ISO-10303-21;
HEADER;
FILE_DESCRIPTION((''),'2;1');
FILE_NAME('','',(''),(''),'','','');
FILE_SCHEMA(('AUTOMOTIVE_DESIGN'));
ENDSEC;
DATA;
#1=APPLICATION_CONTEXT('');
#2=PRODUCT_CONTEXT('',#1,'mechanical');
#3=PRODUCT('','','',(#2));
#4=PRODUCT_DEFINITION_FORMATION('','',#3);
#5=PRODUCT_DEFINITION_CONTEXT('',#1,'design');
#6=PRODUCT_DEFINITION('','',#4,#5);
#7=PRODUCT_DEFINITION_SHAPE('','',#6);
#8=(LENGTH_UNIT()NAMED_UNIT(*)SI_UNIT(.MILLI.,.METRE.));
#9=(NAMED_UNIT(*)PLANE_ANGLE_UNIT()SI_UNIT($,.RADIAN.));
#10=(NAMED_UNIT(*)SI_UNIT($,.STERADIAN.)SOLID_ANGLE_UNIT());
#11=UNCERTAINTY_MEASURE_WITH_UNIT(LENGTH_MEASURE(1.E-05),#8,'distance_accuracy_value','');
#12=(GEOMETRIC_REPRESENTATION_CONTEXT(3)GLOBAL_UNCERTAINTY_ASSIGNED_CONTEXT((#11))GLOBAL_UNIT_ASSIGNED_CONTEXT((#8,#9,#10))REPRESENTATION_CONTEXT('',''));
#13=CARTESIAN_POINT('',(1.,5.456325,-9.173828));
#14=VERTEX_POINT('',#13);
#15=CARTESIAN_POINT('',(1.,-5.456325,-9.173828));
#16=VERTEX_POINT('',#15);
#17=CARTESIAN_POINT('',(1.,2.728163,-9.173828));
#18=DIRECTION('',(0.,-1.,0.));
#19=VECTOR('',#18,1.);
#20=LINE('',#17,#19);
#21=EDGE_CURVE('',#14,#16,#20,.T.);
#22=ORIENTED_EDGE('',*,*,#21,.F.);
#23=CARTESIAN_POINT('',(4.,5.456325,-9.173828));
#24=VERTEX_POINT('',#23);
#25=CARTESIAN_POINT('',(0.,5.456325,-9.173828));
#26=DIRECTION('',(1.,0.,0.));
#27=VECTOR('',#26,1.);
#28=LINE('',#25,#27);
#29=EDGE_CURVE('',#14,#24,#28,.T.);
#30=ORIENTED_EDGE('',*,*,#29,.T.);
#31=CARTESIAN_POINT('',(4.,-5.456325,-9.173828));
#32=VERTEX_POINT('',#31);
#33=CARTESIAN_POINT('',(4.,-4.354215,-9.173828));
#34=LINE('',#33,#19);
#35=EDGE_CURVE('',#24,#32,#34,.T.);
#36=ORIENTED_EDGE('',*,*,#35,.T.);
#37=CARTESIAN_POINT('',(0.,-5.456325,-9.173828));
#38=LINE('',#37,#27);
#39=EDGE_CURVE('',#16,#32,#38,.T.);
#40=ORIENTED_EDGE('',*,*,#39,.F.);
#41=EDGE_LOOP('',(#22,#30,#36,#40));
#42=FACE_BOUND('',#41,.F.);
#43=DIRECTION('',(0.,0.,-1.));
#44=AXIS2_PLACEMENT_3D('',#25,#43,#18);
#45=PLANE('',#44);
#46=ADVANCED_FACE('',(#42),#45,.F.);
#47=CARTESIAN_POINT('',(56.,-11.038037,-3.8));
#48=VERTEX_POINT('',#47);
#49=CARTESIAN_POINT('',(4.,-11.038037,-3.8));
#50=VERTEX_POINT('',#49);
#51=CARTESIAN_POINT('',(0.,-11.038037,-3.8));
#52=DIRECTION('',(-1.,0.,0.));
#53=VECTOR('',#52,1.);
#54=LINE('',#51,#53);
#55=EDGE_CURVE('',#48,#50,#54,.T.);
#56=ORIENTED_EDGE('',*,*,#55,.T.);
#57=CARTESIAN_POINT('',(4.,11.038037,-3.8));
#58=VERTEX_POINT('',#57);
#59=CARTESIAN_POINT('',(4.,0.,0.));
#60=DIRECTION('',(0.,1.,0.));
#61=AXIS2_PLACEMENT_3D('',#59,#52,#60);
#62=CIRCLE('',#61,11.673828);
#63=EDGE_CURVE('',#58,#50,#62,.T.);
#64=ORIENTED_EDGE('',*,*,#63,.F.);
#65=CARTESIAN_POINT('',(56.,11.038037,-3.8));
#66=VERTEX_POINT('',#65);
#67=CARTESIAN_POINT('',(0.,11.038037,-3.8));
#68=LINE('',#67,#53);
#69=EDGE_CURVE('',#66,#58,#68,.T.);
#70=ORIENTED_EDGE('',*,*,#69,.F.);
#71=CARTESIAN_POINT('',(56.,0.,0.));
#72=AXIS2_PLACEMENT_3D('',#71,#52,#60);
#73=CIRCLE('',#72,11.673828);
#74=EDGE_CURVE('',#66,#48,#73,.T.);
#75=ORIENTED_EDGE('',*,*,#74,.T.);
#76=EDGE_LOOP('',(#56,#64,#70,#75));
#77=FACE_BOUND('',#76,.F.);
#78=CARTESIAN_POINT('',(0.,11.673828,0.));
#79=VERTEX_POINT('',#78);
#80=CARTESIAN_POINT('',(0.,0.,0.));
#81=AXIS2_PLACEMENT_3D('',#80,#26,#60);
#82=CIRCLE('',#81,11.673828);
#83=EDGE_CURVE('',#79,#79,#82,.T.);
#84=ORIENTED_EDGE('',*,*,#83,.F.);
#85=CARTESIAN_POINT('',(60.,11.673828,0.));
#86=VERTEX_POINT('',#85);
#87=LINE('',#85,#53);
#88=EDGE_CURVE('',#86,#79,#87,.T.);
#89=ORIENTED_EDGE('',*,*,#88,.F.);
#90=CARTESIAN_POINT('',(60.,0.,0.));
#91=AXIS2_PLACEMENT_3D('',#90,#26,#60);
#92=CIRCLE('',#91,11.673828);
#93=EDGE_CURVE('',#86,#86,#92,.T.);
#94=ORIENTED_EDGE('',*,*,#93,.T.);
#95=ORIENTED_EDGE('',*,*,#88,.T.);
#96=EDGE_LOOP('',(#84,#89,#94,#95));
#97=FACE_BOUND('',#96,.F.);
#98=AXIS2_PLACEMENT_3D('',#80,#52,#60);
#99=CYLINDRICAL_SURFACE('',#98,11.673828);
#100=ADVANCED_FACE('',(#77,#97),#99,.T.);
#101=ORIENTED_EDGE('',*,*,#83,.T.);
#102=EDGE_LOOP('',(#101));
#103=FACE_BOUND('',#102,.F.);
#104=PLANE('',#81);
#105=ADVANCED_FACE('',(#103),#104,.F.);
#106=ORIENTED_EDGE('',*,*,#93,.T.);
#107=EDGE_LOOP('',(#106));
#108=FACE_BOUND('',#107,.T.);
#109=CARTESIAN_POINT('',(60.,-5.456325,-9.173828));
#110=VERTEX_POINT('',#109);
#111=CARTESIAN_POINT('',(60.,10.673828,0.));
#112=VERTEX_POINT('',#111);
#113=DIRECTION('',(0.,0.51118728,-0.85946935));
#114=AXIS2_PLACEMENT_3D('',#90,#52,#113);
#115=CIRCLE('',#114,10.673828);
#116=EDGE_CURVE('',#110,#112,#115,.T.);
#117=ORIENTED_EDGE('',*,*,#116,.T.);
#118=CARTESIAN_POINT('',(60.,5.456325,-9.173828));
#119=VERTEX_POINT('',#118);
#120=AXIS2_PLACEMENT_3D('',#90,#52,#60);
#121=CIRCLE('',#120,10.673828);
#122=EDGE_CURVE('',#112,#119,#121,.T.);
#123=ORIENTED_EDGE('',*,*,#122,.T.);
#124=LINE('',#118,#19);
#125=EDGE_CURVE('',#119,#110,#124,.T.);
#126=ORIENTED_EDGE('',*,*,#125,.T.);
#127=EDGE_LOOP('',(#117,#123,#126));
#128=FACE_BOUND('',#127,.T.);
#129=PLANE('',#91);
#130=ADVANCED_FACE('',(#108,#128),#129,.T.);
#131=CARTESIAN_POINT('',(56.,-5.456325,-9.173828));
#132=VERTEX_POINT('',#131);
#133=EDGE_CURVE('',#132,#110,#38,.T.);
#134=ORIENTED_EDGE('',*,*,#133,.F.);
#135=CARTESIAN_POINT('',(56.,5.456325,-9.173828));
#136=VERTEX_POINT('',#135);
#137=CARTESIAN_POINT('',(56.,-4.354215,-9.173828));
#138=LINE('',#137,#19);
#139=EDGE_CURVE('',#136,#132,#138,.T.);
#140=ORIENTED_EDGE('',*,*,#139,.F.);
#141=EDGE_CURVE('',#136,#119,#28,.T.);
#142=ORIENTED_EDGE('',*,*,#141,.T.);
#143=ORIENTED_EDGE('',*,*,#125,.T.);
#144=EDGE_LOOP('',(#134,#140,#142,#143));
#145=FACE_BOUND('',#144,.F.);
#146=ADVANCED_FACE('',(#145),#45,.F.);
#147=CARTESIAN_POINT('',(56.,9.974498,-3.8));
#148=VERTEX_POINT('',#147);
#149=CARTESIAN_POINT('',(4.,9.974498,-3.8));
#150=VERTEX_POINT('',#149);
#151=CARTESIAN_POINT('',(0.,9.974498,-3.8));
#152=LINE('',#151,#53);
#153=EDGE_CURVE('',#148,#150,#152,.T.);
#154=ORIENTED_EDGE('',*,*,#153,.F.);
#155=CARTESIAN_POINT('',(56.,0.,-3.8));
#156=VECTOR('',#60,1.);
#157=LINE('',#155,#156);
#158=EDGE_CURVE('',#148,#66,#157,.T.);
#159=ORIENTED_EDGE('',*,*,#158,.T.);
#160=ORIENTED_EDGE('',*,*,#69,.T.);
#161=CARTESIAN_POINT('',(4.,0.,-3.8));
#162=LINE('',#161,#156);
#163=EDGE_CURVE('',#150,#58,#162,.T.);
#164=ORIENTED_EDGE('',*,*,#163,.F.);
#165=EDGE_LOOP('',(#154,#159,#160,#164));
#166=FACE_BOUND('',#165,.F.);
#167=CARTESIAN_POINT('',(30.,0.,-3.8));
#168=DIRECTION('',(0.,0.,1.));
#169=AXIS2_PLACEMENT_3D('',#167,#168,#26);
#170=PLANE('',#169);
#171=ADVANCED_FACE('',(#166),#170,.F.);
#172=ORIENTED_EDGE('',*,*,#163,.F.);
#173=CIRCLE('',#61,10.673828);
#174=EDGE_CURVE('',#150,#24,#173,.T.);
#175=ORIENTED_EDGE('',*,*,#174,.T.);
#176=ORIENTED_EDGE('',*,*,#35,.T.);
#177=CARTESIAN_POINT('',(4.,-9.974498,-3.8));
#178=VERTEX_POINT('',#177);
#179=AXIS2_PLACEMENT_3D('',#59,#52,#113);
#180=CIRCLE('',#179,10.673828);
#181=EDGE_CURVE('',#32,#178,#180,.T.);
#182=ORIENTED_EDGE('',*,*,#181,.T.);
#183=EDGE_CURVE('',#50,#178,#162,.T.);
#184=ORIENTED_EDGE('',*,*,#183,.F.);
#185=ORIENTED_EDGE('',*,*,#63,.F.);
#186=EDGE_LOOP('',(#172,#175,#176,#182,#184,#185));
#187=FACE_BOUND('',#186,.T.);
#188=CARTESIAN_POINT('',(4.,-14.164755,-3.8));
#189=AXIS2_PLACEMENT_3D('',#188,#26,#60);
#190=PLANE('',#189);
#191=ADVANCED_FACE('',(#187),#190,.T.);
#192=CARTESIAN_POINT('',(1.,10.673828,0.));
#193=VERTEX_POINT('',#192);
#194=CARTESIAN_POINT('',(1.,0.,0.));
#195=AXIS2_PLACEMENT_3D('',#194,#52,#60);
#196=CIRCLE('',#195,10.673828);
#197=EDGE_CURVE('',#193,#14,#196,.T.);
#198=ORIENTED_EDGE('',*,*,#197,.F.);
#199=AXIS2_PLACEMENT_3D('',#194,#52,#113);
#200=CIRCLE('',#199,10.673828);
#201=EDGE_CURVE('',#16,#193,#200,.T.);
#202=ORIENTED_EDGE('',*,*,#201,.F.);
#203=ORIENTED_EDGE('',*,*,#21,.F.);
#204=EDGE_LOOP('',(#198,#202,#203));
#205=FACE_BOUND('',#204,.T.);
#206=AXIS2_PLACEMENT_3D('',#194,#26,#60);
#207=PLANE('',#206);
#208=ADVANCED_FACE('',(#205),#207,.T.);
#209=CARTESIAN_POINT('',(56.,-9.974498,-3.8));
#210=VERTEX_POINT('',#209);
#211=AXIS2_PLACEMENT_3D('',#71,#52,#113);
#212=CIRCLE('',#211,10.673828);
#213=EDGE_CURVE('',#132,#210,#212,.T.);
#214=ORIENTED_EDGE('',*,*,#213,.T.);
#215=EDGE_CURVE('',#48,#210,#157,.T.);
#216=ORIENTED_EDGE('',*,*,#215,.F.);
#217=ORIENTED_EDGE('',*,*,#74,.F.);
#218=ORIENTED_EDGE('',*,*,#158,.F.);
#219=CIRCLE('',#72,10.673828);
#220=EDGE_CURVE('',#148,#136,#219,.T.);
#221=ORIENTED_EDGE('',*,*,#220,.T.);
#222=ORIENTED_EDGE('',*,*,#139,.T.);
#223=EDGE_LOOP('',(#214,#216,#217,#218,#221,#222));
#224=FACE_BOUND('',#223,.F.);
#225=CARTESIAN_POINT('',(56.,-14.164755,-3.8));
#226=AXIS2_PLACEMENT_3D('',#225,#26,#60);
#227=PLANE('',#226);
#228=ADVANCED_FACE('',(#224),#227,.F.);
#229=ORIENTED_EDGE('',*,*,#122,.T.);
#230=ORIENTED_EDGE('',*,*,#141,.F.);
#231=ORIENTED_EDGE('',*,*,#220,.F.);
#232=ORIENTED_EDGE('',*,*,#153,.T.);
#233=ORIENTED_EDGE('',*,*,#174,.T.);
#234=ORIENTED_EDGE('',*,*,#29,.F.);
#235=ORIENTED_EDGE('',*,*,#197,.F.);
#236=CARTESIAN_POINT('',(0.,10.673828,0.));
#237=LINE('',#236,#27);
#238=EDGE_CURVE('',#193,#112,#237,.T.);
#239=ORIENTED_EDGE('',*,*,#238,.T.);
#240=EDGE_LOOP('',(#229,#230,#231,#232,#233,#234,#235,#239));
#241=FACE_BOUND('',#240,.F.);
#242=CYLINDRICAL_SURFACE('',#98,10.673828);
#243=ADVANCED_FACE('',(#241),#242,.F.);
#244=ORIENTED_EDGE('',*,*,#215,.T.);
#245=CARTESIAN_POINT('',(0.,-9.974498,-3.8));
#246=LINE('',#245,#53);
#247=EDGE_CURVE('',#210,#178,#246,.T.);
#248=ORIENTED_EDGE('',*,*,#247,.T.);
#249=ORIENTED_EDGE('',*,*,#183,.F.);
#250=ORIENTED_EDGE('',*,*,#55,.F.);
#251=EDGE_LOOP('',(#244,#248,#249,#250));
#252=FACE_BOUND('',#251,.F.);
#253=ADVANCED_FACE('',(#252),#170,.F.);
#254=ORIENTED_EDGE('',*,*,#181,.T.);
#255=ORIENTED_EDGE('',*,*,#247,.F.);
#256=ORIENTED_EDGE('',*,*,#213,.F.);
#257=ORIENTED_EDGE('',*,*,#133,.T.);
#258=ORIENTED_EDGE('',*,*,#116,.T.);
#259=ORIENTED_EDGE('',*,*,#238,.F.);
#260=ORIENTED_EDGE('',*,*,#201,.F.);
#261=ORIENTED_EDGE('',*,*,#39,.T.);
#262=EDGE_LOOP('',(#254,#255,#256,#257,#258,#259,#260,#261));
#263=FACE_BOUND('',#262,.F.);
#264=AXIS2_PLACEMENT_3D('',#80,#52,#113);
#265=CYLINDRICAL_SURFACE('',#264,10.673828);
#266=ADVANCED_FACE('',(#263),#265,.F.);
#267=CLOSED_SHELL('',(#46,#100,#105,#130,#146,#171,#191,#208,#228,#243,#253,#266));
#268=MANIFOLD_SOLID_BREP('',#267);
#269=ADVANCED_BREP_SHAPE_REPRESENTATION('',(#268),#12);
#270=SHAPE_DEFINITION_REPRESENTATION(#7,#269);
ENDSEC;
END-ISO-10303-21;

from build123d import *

# Parameters (mm, degrees)
F0_R     = 11.673828125
F1_DEPTH = 60
F3_START = -3.8
F2_W     = 52
F2_H     = 28.3295102417
F3_DEPTH = 9.3
F4_R     = 11.673828125
F5_DEPTH = 1


with BuildPart() as f1:
    # F0 (on Right) → F1 (new body)
    with BuildSketch(Plane.YZ):
        Circle(F0_R)
        with BuildLine():
            ThreePointArc((-5.4563251713, -9.173828125), (-5.2768707474, 9.2782132955), (10.673828125, 0))
            ThreePointArc((10.673828125, 0), (9.2782132955, -5.2768707474), (5.4563251713, -9.173828125))
            ThreePointArc((5.4563251713, -9.173828125), (0, -10.673828125), (-5.4563251713, -9.173828125))
        make_face(mode=Mode.SUBTRACT)
        with BuildLine():
            Line((5.4563251713, -9.173828125), (-5.4563251713, -9.173828125))
            ThreePointArc((-5.4563251713, -9.173828125), (0, -10.673828125), (5.4563251713, -9.173828125))
        make_face()
    extrude(amount=F1_DEPTH)

    # F2 (on Top) → F3 (cut)
    with BuildSketch(Plane.XY.offset(F3_START)):
        with Locations((30, 0)):
            Rectangle(F2_W, F2_H)
    extrude(amount=-F3_DEPTH, mode=Mode.SUBTRACT)

    # F4 (on face) → F5 (join)
    with BuildSketch(Plane.YZ):
        Circle(F4_R)
    extrude(amount=F5_DEPTH)


solid = f1.part
